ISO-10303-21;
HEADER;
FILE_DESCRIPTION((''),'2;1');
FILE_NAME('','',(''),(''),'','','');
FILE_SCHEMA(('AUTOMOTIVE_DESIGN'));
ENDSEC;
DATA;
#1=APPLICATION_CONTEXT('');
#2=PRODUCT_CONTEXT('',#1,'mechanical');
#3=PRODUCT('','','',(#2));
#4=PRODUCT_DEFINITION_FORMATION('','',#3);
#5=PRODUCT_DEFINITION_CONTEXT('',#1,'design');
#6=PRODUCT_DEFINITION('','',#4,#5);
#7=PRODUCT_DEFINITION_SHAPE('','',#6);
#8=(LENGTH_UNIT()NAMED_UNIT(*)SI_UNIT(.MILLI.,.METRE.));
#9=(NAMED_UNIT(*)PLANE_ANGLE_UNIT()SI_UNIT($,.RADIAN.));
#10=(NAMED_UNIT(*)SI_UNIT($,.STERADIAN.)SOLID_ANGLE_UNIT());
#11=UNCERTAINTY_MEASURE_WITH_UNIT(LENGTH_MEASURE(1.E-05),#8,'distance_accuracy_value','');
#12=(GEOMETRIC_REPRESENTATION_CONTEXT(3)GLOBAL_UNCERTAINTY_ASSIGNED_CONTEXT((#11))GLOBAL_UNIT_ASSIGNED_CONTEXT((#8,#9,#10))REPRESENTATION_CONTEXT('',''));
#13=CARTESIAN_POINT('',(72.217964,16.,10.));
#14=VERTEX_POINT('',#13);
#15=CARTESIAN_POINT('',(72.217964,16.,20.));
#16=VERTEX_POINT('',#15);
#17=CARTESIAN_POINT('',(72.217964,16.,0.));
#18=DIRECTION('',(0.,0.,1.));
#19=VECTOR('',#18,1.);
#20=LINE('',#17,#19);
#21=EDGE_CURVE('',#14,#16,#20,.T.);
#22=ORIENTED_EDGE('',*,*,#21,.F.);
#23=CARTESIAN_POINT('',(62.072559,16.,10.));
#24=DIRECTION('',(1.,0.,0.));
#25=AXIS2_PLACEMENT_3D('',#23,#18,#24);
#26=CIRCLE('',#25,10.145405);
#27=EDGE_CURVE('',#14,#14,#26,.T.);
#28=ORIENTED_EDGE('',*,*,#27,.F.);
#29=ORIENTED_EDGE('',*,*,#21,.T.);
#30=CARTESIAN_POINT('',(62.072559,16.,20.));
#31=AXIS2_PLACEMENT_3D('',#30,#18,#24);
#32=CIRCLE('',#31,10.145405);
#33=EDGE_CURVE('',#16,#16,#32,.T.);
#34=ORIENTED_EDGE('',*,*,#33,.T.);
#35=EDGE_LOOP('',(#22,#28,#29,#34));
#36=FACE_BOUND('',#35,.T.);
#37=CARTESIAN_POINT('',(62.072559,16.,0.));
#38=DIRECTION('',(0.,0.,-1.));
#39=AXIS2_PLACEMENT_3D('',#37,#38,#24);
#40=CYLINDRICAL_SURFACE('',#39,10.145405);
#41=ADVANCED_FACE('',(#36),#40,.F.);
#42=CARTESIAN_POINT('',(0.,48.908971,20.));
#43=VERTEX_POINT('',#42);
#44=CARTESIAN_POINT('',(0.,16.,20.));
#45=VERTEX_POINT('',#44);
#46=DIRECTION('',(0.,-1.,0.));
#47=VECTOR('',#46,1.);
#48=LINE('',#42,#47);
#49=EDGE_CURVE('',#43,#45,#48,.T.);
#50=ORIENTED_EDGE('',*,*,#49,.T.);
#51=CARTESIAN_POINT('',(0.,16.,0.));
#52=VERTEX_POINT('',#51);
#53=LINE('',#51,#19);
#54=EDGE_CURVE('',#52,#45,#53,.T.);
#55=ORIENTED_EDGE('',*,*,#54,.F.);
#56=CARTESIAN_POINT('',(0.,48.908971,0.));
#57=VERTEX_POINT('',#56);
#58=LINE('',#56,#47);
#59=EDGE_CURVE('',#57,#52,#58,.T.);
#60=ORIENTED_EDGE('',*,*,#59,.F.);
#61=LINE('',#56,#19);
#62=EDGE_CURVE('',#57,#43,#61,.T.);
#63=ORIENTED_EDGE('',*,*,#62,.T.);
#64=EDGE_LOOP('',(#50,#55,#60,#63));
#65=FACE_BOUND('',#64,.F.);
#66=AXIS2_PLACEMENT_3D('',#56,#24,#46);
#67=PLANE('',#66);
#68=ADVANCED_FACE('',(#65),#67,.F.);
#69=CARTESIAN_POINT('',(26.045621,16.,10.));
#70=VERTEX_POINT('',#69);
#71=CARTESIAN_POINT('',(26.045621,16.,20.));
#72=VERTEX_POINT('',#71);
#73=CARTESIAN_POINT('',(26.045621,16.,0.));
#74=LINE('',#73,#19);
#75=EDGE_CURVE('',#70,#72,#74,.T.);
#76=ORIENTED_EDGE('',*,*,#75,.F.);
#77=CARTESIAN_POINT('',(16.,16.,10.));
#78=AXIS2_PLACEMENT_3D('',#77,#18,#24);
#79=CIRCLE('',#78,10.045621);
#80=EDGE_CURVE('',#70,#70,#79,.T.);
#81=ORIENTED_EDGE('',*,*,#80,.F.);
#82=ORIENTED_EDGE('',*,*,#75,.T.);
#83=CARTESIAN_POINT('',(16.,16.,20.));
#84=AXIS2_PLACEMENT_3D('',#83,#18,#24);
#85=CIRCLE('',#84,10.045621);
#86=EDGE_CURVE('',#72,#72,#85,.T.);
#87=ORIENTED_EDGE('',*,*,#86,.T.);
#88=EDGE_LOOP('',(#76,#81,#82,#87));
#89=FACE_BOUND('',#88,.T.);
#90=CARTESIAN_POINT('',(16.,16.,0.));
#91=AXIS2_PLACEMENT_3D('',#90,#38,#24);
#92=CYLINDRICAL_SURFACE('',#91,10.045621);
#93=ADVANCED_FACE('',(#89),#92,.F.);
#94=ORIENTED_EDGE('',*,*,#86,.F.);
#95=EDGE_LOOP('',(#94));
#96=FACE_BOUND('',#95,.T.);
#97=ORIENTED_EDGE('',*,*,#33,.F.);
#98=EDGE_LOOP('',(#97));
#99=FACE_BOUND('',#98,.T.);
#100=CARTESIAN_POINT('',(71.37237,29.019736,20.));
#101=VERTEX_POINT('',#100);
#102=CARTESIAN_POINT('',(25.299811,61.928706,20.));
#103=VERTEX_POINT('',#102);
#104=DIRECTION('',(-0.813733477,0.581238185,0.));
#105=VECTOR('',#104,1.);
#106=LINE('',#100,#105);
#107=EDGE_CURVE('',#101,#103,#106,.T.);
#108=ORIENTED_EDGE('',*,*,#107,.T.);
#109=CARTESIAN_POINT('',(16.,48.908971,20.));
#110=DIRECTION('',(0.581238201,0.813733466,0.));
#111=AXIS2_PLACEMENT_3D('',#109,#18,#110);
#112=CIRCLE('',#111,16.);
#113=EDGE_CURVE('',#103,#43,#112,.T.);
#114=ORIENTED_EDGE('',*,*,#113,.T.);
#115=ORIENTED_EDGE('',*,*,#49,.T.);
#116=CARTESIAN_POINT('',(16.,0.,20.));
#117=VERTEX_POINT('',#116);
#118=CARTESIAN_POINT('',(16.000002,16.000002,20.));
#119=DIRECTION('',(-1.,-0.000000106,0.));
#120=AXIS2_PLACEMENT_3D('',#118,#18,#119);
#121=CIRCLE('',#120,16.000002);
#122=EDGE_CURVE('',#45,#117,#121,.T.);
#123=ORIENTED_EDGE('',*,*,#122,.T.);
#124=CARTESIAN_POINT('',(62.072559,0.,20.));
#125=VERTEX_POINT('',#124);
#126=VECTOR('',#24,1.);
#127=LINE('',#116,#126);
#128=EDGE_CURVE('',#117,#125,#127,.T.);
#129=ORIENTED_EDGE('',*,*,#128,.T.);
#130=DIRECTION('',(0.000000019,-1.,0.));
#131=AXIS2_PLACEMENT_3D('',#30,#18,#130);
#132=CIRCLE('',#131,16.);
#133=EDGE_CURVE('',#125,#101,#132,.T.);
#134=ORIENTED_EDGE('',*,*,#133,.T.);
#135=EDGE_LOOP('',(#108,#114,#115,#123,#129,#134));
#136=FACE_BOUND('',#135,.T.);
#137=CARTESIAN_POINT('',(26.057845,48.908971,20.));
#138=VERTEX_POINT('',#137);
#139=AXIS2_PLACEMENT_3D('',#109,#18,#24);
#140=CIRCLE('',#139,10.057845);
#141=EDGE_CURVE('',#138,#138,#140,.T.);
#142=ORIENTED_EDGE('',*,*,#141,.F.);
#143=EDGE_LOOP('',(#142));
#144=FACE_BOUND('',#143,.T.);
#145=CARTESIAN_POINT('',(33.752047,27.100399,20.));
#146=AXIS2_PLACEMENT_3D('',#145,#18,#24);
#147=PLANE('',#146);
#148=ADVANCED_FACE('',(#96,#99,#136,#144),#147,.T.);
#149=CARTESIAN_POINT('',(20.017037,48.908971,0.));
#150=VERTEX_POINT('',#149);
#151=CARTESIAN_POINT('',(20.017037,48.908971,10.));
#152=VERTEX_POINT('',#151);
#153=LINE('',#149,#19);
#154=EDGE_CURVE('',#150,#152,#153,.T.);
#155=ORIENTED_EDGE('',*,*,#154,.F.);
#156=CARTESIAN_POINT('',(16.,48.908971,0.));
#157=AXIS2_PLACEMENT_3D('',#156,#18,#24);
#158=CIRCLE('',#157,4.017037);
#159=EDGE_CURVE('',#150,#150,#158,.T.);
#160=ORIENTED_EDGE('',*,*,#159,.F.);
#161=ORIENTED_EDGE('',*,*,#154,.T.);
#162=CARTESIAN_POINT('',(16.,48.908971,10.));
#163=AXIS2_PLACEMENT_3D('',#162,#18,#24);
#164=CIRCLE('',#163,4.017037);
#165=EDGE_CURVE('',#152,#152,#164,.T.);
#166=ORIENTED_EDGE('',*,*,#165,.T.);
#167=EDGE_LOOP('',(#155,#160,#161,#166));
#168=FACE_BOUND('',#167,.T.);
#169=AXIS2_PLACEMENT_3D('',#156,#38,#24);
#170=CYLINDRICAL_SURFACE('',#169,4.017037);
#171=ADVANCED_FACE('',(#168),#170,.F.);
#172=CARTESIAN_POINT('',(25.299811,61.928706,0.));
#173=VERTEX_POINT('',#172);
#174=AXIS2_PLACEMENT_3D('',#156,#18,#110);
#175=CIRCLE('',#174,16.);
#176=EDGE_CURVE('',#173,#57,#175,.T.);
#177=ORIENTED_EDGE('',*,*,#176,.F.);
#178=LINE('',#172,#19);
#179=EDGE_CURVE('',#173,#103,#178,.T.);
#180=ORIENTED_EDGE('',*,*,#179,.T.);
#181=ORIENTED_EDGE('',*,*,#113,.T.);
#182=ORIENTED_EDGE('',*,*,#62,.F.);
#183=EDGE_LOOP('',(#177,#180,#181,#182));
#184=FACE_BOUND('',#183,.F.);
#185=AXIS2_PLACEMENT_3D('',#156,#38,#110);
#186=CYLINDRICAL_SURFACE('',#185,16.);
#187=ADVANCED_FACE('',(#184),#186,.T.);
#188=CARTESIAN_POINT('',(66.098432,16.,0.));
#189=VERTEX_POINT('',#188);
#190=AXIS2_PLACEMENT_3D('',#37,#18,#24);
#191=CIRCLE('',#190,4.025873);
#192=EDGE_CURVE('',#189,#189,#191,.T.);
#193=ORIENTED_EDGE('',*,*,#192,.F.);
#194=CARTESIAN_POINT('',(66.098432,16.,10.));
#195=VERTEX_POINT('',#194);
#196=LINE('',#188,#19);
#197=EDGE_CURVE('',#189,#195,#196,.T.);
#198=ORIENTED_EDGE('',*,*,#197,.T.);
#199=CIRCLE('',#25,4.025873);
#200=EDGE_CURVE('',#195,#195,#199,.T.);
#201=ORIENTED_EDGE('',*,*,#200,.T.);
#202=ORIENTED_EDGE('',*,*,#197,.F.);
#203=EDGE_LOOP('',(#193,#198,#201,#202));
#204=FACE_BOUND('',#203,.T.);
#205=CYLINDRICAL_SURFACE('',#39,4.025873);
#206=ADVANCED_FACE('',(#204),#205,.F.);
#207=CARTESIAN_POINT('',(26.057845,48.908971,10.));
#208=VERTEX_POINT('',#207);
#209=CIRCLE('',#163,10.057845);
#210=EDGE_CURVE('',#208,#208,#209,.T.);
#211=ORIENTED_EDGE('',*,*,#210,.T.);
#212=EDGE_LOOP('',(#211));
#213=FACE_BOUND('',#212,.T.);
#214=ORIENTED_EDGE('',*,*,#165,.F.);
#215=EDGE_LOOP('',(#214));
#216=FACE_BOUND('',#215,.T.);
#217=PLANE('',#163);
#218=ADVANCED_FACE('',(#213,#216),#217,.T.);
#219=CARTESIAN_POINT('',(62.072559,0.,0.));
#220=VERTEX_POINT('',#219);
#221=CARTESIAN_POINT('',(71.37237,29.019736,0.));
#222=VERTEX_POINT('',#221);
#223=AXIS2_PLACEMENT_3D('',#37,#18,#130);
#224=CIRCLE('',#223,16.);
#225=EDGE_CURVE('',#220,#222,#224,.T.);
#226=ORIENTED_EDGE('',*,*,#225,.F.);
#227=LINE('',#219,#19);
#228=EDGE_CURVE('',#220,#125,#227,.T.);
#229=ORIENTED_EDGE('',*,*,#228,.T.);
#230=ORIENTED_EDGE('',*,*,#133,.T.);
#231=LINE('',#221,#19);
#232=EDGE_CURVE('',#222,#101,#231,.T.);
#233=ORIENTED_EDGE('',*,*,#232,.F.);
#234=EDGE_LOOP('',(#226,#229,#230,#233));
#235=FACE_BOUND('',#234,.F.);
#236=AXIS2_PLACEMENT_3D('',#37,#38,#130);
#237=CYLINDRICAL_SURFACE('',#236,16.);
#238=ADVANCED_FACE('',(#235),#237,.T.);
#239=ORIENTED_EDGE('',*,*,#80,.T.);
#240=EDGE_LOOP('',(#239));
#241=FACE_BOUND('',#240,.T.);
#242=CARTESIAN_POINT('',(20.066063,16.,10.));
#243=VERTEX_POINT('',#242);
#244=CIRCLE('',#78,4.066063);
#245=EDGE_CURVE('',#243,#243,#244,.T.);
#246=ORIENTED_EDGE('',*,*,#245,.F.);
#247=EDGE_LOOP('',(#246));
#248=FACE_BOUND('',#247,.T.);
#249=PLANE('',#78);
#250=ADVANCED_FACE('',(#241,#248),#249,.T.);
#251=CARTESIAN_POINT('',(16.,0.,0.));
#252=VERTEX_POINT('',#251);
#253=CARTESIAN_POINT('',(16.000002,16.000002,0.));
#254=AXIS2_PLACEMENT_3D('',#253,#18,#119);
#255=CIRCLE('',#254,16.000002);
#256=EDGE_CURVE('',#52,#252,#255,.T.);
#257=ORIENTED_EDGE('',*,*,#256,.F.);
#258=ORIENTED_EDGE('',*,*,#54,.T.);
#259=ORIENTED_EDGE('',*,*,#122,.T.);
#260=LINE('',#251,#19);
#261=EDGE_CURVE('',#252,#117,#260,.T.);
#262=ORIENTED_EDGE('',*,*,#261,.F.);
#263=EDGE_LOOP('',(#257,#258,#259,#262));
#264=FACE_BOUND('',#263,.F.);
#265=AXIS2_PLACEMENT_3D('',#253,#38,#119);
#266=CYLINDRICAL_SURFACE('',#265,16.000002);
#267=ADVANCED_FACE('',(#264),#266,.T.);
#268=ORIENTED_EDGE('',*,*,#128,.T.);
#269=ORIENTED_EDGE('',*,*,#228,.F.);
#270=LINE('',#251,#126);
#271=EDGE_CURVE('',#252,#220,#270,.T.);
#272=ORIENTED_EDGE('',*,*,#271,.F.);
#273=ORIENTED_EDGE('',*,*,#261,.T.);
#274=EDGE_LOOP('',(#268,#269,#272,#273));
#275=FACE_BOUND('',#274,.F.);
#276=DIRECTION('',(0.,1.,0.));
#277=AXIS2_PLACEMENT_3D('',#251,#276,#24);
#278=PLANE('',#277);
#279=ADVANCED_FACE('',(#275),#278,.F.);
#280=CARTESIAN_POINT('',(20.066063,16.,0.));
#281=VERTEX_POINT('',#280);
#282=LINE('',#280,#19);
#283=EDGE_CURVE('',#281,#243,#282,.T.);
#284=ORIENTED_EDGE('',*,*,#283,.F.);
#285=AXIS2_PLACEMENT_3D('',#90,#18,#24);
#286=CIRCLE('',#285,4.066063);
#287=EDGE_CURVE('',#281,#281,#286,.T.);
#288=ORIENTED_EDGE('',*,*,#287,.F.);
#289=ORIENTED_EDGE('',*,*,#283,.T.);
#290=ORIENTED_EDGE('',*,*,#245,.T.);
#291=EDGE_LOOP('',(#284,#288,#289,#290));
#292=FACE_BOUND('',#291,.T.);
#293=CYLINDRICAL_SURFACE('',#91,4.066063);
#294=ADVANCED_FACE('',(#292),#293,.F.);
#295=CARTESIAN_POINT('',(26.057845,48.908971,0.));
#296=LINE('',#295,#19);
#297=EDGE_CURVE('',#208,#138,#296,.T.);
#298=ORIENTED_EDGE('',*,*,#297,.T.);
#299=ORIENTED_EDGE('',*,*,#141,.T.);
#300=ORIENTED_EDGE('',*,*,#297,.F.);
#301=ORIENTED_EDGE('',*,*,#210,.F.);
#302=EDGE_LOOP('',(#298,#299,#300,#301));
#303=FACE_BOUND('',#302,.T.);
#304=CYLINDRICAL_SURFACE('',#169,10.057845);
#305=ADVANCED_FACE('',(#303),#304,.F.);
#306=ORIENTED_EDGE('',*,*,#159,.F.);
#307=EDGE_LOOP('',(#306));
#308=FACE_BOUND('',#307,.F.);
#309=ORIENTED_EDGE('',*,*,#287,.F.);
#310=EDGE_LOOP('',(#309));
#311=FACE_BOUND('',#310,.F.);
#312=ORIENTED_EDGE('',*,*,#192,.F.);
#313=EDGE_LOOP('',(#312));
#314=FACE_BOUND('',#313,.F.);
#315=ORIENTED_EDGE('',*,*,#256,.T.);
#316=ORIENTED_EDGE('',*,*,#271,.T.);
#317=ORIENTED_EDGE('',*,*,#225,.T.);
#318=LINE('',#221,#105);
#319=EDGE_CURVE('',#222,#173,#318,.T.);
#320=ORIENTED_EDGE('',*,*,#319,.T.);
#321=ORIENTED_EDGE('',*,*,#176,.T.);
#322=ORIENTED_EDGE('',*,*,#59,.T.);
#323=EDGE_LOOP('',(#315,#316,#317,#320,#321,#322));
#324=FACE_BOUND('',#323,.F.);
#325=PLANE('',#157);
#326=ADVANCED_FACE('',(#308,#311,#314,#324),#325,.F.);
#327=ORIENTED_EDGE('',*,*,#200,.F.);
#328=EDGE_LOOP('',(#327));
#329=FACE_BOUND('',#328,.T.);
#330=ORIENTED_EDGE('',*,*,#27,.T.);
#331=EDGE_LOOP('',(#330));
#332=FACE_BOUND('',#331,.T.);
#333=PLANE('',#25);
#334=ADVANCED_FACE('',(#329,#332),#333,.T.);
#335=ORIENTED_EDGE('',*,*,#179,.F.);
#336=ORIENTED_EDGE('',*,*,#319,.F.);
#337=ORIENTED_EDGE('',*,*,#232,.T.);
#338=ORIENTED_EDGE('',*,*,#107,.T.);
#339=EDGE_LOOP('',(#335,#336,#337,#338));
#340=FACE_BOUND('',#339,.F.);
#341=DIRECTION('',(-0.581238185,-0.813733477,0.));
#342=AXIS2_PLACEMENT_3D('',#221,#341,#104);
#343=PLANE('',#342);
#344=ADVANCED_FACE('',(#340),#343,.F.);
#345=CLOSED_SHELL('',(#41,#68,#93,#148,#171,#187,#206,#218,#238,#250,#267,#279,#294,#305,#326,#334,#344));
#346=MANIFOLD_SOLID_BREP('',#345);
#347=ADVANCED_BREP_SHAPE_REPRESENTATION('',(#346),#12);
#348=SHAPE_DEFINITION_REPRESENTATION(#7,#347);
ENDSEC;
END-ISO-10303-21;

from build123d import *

# Parameters (mm, degrees)
F0_R     = 10.045621
F0_R_2   = 10.145405
F0_R_3   = 10.057845
F1_DEPTH = 20
F0_R_4   = 4.017037
F0_R_5   = 4.066063
F0_R_6   = 4.025873
F2_DEPTH = 10


with BuildPart() as f1:
    # F0 (on Top) → F1 (new body)
    with BuildSketch(Plane.XY):
        with BuildLine():
            ThreePointArc((0, 16), (4.686292, 4.686292), (16, 0))
            Line((16, 0), (62.072559, 0))
            ThreePointArc((62.072559, 0), (77.309287, 11.117161), (71.37237, 29.019736))
            Line((71.37237, 29.019736), (25.299811, 61.928706))
            ThreePointArc((25.299811, 61.928706), (8.678695, 63.135653), (0, 48.908971))
            Line((0, 48.908971), (0, 16))
        make_face()
        with Locations((16, 16)):
            Circle(F0_R, mode=Mode.SUBTRACT)
        with Locations((62.072559, 16)):
            Circle(F0_R_2, mode=Mode.SUBTRACT)
        with Locations((16, 48.908971)):
            Circle(F0_R_3, mode=Mode.SUBTRACT)
    extrude(amount=F1_DEPTH)

    # F0 (on Top) → F2 (join)
    with BuildSketch(Plane.XY):
        with Locations((16, 48.908971)):
            Circle(F0_R_3)
        with Locations((16, 48.908971)):
            Circle(F0_R_4, mode=Mode.SUBTRACT)
        with Locations((16, 16)):
            Circle(F0_R)
        with Locations((16, 16)):
            Circle(F0_R_5, mode=Mode.SUBTRACT)
        with Locations((62.072559, 16)):
            Circle(F0_R_2)
        with Locations((62.072559, 16)):
            Circle(F0_R_6, mode=Mode.SUBTRACT)
    extrude(amount=F2_DEPTH)


solid = f1.part
